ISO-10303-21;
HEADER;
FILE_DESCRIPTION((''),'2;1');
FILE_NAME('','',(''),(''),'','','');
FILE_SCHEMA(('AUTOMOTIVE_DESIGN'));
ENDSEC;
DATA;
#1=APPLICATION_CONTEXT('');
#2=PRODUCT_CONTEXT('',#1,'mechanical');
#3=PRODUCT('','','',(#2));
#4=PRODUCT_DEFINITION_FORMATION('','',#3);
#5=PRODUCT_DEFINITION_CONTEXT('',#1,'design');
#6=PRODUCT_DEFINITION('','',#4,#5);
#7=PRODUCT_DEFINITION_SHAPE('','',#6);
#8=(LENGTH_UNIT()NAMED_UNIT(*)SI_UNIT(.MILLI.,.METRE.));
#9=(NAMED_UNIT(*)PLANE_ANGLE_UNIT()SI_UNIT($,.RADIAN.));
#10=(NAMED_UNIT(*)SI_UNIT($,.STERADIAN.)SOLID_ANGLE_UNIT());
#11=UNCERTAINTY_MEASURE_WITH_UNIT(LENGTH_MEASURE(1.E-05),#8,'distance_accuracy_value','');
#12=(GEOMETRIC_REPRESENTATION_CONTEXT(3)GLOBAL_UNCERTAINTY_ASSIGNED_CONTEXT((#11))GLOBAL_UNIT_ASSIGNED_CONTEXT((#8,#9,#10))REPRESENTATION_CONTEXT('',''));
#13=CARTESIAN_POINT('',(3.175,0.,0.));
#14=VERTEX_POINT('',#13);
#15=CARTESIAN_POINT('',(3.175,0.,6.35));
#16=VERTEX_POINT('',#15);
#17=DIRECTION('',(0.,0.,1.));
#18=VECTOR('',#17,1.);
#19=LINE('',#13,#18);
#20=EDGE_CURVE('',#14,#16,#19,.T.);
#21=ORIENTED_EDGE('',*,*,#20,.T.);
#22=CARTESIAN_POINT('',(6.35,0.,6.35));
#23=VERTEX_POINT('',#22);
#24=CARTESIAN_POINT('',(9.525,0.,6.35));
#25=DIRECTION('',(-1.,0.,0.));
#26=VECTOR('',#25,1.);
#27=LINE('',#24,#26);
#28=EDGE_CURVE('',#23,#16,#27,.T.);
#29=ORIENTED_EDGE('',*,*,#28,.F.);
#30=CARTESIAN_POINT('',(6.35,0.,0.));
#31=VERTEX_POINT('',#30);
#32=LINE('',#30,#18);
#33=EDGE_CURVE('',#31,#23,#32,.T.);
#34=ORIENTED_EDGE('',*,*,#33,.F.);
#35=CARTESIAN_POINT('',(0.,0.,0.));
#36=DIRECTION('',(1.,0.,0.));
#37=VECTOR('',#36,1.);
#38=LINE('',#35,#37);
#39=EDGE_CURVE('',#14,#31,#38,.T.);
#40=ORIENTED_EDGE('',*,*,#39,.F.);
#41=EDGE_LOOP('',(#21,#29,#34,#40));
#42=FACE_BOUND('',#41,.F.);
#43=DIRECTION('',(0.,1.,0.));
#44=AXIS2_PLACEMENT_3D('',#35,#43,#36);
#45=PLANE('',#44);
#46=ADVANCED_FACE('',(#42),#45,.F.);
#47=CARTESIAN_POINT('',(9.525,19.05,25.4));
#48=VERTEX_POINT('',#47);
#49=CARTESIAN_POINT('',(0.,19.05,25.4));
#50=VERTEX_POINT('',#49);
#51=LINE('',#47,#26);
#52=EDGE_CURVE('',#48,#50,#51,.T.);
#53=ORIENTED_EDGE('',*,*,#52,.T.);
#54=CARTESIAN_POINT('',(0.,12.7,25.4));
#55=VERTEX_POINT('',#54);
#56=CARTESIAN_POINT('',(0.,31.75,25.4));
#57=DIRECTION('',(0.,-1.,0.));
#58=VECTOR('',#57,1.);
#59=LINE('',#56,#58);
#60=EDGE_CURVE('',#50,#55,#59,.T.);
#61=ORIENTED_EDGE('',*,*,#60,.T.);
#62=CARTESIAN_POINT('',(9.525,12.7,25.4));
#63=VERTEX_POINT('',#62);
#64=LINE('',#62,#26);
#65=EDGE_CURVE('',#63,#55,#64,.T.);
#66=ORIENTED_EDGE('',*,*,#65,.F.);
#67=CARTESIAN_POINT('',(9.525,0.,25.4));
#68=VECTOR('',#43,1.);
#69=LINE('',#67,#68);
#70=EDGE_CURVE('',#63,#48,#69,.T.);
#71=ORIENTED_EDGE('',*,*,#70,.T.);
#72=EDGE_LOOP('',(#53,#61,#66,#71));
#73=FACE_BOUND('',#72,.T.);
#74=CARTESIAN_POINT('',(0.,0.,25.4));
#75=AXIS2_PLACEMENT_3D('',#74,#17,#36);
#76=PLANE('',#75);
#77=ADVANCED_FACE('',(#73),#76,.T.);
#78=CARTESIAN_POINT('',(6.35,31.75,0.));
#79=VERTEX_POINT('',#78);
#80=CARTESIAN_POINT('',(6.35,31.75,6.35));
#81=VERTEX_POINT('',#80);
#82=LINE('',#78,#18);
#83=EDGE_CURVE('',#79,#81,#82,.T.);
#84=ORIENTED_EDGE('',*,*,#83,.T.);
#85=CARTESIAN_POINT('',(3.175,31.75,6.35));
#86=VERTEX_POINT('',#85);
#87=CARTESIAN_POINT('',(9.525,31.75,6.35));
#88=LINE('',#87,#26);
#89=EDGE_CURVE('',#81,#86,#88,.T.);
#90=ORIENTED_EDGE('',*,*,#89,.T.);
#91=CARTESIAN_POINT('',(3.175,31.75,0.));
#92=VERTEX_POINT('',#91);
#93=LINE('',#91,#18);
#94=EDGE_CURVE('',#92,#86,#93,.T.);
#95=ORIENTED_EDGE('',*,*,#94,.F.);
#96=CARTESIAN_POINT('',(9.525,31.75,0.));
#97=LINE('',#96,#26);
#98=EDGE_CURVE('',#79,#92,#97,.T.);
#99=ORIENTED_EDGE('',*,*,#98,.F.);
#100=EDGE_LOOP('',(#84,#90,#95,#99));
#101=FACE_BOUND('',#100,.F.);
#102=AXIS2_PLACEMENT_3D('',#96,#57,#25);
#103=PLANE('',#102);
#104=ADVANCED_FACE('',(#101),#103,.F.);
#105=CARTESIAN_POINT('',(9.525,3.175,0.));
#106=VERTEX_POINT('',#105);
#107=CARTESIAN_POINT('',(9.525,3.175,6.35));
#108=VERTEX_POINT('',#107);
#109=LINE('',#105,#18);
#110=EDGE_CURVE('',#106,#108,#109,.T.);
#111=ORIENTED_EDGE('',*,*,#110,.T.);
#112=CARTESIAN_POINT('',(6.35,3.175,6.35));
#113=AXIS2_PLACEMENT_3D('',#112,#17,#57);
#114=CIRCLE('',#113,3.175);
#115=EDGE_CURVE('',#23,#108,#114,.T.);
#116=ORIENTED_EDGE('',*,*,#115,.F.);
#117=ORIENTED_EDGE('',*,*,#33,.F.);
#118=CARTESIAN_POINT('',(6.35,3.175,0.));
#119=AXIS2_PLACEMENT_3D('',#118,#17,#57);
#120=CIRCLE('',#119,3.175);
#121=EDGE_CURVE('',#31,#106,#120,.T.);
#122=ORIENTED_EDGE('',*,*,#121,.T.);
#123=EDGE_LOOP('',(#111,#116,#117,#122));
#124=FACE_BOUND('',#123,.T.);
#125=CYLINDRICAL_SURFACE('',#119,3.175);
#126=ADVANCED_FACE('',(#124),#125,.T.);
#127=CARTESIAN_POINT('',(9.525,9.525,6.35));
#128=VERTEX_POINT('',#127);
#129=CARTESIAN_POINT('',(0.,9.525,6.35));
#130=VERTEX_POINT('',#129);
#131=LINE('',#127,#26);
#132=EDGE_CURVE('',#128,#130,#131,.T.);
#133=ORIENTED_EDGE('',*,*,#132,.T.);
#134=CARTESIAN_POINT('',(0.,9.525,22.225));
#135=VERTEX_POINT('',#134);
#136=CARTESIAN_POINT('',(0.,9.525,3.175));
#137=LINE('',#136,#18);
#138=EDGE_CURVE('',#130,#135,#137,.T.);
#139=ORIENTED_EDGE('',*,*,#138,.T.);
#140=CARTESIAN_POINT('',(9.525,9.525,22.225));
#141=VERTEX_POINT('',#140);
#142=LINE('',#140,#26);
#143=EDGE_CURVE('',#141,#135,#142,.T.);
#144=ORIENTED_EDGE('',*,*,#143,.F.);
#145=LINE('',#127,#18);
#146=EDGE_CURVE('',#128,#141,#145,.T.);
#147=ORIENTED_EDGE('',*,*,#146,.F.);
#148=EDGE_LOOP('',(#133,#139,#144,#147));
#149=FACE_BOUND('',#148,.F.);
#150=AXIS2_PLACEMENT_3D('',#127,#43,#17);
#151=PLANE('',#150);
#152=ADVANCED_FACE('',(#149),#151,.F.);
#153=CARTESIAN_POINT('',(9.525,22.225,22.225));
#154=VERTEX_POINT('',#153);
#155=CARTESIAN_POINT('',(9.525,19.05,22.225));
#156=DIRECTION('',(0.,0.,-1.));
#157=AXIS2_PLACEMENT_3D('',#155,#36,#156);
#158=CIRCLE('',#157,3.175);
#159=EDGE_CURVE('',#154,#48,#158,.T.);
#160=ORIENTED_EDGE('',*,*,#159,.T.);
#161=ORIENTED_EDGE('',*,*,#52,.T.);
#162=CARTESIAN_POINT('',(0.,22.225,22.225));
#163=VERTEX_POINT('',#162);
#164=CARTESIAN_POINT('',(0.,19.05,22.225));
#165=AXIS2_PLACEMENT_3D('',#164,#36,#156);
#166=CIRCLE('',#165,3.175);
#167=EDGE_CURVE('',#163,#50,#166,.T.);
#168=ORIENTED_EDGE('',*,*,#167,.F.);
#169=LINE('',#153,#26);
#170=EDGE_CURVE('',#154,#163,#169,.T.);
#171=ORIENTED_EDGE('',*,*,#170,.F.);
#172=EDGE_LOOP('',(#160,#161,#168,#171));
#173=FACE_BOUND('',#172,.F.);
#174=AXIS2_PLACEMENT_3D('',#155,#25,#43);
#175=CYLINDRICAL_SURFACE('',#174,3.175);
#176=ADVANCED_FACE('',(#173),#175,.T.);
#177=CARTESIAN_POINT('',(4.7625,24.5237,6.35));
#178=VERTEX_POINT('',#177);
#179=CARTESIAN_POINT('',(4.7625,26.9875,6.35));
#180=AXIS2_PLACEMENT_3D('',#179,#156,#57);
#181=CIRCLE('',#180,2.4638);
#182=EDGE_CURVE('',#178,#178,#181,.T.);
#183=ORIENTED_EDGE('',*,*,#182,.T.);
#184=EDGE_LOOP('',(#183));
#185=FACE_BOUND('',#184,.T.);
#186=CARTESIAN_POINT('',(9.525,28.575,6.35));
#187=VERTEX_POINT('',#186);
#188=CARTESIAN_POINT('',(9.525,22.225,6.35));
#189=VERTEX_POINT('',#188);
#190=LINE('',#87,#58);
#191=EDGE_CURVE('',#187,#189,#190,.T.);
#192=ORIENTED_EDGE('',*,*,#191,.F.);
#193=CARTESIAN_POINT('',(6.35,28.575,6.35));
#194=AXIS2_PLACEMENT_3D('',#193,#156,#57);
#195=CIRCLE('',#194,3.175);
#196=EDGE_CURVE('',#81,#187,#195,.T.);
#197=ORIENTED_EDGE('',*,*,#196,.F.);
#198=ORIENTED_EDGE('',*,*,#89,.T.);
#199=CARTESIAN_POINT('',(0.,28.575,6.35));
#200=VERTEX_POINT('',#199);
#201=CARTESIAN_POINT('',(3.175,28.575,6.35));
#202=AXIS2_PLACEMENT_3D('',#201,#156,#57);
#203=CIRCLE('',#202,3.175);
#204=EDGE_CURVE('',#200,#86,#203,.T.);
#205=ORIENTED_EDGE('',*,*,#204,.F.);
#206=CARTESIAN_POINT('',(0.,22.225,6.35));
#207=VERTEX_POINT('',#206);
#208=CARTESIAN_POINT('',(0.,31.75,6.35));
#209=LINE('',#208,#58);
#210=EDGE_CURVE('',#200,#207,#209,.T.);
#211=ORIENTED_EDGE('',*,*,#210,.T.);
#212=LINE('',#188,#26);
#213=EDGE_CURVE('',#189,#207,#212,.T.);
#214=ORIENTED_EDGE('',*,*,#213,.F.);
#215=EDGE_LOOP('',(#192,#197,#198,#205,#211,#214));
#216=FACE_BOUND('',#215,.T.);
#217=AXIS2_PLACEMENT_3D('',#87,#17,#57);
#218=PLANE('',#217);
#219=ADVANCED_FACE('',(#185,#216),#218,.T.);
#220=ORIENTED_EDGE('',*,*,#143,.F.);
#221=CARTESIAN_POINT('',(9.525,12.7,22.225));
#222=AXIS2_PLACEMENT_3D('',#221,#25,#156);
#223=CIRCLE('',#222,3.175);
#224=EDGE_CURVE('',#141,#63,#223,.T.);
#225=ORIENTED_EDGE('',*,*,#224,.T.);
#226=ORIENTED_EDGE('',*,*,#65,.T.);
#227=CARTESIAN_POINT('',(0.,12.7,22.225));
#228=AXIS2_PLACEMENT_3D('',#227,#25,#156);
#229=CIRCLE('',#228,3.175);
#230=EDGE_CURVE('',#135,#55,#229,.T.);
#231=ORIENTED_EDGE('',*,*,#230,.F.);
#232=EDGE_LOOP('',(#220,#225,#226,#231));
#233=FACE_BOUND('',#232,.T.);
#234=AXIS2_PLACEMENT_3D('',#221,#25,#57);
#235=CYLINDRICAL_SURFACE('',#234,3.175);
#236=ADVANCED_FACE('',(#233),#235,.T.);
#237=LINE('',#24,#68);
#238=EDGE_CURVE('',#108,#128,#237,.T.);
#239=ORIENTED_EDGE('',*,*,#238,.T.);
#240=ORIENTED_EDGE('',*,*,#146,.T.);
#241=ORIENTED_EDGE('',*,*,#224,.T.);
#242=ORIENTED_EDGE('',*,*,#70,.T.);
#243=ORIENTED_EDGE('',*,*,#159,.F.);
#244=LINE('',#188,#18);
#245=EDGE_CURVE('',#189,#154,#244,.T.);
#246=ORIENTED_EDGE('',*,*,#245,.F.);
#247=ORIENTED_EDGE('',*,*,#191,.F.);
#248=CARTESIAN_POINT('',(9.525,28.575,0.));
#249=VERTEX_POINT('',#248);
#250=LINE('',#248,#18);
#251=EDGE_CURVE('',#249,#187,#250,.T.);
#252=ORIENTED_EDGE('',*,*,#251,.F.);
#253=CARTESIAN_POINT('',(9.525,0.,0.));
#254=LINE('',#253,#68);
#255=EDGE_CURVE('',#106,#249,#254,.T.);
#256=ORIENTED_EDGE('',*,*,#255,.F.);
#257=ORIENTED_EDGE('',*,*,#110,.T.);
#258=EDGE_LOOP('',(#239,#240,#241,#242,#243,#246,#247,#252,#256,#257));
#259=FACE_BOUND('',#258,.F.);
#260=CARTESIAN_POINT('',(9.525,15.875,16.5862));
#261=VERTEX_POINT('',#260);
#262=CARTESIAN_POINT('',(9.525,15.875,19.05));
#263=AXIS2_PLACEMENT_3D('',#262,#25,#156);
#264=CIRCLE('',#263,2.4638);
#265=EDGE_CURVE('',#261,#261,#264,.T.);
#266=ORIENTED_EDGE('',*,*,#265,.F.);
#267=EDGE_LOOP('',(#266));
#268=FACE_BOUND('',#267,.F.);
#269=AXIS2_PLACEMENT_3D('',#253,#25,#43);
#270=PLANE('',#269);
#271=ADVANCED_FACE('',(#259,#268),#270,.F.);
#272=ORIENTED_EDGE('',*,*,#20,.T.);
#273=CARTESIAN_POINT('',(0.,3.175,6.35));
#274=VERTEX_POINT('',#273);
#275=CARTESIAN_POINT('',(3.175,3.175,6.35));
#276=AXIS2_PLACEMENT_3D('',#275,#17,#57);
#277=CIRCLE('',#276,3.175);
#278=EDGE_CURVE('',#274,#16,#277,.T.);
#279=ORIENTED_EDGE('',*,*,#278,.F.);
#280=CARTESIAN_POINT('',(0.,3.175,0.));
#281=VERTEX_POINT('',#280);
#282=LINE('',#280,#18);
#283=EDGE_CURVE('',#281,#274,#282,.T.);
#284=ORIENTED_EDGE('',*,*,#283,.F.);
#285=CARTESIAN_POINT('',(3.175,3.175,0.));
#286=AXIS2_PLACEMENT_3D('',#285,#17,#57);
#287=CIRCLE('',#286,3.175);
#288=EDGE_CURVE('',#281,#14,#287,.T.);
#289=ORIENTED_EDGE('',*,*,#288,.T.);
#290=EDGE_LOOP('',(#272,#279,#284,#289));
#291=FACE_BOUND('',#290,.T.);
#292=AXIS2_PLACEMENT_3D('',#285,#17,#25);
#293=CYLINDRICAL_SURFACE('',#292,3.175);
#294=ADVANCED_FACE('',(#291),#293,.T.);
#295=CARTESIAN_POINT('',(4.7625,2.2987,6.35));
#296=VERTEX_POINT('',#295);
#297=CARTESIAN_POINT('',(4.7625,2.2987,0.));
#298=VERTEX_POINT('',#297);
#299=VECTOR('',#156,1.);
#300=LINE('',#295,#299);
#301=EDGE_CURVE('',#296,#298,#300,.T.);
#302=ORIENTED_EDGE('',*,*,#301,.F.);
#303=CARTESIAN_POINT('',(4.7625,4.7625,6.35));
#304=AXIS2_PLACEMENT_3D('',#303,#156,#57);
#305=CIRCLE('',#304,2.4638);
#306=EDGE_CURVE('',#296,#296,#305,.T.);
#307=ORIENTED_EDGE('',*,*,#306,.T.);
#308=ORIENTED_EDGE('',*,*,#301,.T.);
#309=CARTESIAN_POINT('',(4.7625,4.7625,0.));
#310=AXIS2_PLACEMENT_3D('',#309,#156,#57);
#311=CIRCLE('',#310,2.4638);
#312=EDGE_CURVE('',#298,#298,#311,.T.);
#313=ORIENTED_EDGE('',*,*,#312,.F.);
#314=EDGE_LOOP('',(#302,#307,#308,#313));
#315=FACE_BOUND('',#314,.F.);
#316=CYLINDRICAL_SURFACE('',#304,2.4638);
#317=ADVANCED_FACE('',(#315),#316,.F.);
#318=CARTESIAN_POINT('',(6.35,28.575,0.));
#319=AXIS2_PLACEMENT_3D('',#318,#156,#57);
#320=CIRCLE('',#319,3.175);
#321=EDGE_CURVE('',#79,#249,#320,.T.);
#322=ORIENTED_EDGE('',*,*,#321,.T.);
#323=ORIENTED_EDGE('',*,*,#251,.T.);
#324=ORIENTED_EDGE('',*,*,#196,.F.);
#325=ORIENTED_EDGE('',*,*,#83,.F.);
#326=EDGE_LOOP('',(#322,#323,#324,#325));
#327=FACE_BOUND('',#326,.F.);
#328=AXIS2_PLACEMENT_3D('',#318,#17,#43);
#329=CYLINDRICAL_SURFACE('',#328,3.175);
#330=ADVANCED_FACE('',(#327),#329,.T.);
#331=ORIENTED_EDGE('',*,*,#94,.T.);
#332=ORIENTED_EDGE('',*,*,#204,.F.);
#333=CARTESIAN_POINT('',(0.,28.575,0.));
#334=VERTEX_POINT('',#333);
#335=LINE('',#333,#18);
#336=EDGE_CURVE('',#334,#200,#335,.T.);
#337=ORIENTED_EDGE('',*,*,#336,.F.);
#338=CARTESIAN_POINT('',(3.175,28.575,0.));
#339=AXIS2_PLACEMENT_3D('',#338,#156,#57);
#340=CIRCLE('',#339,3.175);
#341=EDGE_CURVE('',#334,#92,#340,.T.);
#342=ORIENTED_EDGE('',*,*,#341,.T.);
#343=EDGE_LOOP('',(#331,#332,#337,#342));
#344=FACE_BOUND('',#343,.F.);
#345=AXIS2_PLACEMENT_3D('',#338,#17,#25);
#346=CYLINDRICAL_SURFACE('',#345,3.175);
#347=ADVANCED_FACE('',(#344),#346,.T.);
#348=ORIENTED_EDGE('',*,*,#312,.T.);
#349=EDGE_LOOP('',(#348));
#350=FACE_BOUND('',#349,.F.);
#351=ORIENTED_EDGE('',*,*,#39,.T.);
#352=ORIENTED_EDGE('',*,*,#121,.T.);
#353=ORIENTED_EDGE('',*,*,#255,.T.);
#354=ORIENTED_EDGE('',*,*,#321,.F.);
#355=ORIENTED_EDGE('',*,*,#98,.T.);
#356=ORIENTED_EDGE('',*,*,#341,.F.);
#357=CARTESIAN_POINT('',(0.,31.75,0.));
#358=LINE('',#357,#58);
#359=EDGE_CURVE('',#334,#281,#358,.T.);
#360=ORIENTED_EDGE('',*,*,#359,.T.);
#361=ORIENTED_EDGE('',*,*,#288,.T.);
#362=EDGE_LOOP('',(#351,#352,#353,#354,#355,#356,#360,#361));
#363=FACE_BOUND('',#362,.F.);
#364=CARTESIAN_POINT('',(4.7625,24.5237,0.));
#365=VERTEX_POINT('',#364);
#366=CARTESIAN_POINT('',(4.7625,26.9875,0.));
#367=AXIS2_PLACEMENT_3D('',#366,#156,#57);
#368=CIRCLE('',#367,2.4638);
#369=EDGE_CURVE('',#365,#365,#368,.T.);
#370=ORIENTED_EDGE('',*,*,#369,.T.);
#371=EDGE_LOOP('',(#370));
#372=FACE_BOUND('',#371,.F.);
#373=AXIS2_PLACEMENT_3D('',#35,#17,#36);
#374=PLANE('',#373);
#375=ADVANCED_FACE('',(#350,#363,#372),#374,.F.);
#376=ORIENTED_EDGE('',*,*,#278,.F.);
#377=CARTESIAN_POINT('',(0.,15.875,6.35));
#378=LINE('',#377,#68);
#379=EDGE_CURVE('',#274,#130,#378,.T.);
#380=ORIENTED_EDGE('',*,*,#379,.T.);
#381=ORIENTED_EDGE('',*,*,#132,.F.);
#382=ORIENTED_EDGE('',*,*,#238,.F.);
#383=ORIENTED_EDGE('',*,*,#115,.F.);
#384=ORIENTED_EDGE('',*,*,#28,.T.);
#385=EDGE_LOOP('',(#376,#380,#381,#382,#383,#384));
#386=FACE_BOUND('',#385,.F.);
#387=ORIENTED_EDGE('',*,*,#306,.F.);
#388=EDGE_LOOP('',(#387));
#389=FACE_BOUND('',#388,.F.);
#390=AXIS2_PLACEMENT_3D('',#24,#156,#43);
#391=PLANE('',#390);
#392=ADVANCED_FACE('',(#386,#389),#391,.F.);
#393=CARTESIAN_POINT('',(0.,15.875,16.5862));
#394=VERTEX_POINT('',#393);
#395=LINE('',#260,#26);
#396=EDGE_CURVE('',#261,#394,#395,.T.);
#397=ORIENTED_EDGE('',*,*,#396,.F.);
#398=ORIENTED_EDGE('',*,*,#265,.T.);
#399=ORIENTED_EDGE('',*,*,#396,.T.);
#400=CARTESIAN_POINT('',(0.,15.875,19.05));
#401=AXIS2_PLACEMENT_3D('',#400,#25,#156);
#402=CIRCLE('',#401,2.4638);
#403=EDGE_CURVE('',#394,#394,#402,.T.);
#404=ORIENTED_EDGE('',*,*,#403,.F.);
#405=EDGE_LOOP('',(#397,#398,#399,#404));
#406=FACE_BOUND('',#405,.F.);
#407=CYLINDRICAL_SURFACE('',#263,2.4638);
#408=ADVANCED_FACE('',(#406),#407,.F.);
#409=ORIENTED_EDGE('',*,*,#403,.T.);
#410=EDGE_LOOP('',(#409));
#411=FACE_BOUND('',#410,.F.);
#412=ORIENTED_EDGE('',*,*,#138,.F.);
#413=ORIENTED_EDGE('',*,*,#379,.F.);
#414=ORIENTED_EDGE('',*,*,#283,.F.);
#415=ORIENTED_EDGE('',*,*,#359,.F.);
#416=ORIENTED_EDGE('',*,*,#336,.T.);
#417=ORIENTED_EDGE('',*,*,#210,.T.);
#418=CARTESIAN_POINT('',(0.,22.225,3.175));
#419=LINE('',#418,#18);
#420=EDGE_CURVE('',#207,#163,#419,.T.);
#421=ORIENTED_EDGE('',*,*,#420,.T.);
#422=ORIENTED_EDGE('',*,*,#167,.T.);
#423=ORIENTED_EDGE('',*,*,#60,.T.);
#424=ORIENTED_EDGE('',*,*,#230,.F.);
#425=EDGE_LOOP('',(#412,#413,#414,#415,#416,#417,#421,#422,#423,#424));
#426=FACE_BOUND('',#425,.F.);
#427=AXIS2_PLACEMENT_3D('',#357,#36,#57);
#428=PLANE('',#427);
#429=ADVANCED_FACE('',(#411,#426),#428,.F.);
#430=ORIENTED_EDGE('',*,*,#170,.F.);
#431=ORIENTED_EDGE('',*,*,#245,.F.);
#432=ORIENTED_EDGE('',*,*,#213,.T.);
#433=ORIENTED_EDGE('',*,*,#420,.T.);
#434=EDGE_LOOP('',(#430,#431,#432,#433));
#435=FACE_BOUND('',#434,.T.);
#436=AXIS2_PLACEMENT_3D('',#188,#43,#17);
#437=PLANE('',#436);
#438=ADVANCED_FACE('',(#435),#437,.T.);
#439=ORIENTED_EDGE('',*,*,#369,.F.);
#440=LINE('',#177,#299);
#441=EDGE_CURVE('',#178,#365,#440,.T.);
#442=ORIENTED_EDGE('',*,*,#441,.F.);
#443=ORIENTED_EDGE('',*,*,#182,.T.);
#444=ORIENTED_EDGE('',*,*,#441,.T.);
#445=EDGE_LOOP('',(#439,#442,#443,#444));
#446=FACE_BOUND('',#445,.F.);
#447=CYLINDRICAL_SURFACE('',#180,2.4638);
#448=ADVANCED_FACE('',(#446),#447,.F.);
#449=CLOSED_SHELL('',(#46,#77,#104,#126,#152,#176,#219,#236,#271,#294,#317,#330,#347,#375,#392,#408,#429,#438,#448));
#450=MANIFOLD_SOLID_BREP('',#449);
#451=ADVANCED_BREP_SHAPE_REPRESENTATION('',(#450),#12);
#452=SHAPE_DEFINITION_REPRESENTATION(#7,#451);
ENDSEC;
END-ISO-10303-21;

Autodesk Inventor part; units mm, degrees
ref_plane "YZ Plane" through (0, 0, 0) normal (1, 0, 0) x (0, 1, 0)
ref_plane "XZ Plane" through (0, 0, 0) normal (0, 1, 0) x (-1, 0, 0)
ref_plane "XY Plane" through (0, 0, 0) normal (0, 0, 1) x (1, 0, 0)
sketch "Sketch1" plane through (0, 0, 0) normal (0, 0, 1) x (1, 0, 0)
  line L0 (0, 0) -> (9.525, 0)
  line L1 (9.525, 0) -> (9.525, 31.75)
  line L2 (9.525, 31.75) -> (0, 31.75)
  line L3 (0, 31.75) -> (0, 0)
  dimension "d0" = 9.525
  dimension "d1" = 31.75
extrude "Extrusion1" add sketch "Sketch1" along normal blind 25.4
sketch "Sketch2" plane through (9.525, 0, 0) normal (1, 0, 0) x (0, 0, -1)
  line L0 (-25.4, 0) -> (-25.4, 31.75) projected
  line L1 (-25.4, 31.75) -> (-6.35, 31.75)
  line L2 (-6.35, 31.75) -> (-6.35, 22.225)
  line L3 (-6.35, 22.225) -> (-25.4, 22.225)
  line L4 (-25.4, 22.225) -> (-25.4, 31.75)
  line L5 (0, 0) -> (-25.4, 0) projected
  line L6 (-25.4, 0) -> (-6.35, 0)
  line L7 (-6.35, 0) -> (-6.35, 9.525)
  line L8 (-6.35, 9.525) -> (-25.4, 9.525)
  line L9 (-25.4, 9.525) -> (-25.4, 0)
  dimension "d4" = 9.525
  dimension "d5" = 9.525
  dimension "d6" = 19.05
  dimension "d7" = 19.05
extrude "Extrusion2" cut sketch "Sketch2" against normal blind 25.4
fillet "Fillet1" radius 3.175 4 edges at (9.525, 31.75, 3.175) (0, 31.75, 3.175) (9.525, 0, 3.175) (0, 0, 3.175)
fillet "Fillet2" radius 3.175 2 edges at (4.7625, 9.525, 25.4) (4.7625, 22.225, 25.4)
sketch "Sketch3" plane through (9.525, 3.175, 0) normal (1, 0, 0) x (0, 0, -1)
  line L0 (-22.225, 6.35) -> (-6.35, 6.35) projected
  line L1 (-6.35, 19.05) -> (-22.225, 19.05) projected
  line L2 (0, 0) -> (0, 25.4) projected
  point P0 (0, -3.175)
  point P1 (-19.05, 12.7)
  dimension "d12" = 6.35
  dimension "d13" = 6.35
  dimension "d14" = 19.05
hole "Hole1" at (9.525, 15.875, 19.05) direction (-1, 0, 0) diameter 4.9276 depth 25.4 tip angle 118 clearance for "Flat Head Machine Screw (82)" size "#8" standard "Ansi Unified Screw Threads"
sketch "Sketch4" plane through (0, 22.225, 6.35) normal (0, 0, 1) x (1, 0, 0)
  line L0 (0, 0) -> (0, 6.35) projected
  line L1 (9.525, 6.35) -> (9.525, 0) projected
  line L2 (0, -19.05) -> (0, -12.7) projected
  line L3 (9.525, -12.7) -> (9.525, -19.05) projected
  line L4 (6.35, -22.225) -> (3.175, -22.225) projected
  line L5 (3.175, 9.525) -> (6.35, 9.525) projected
  point P0 (0, -22.225)
  point P1 (4.7625, -17.4625)
  point P2 (4.7625, 4.7625)
  dimension "d22" = 4.7625
  dimension "d23" = 4.7625
  dimension "d24" = 4.7625
  dimension "d25" = 4.7625
  dimension "d26" = 4.7625
  dimension "d27" = 4.7625
  dimension "d28" = 22.225
hole "Hole2" at (4.7625, 4.7625, 6.35) at (4.7625, 26.9875, 6.35) direction (0, 0, -1) diameter 4.9276 depth 25.4 tip angle 118 clearance for "Flat Head Machine Screw (82)" size "#8" standard "Ansi Unified Screw Threads"
equation "\"d5\" = d4"
equation "\"d7\" = d6"
equation "\"d12\" = d13"
equation "\"d22\" = d23"
equation "\"d24\" = d25"
equation "\"d26\" = d27"
properties part number "FTC Piv moount"
